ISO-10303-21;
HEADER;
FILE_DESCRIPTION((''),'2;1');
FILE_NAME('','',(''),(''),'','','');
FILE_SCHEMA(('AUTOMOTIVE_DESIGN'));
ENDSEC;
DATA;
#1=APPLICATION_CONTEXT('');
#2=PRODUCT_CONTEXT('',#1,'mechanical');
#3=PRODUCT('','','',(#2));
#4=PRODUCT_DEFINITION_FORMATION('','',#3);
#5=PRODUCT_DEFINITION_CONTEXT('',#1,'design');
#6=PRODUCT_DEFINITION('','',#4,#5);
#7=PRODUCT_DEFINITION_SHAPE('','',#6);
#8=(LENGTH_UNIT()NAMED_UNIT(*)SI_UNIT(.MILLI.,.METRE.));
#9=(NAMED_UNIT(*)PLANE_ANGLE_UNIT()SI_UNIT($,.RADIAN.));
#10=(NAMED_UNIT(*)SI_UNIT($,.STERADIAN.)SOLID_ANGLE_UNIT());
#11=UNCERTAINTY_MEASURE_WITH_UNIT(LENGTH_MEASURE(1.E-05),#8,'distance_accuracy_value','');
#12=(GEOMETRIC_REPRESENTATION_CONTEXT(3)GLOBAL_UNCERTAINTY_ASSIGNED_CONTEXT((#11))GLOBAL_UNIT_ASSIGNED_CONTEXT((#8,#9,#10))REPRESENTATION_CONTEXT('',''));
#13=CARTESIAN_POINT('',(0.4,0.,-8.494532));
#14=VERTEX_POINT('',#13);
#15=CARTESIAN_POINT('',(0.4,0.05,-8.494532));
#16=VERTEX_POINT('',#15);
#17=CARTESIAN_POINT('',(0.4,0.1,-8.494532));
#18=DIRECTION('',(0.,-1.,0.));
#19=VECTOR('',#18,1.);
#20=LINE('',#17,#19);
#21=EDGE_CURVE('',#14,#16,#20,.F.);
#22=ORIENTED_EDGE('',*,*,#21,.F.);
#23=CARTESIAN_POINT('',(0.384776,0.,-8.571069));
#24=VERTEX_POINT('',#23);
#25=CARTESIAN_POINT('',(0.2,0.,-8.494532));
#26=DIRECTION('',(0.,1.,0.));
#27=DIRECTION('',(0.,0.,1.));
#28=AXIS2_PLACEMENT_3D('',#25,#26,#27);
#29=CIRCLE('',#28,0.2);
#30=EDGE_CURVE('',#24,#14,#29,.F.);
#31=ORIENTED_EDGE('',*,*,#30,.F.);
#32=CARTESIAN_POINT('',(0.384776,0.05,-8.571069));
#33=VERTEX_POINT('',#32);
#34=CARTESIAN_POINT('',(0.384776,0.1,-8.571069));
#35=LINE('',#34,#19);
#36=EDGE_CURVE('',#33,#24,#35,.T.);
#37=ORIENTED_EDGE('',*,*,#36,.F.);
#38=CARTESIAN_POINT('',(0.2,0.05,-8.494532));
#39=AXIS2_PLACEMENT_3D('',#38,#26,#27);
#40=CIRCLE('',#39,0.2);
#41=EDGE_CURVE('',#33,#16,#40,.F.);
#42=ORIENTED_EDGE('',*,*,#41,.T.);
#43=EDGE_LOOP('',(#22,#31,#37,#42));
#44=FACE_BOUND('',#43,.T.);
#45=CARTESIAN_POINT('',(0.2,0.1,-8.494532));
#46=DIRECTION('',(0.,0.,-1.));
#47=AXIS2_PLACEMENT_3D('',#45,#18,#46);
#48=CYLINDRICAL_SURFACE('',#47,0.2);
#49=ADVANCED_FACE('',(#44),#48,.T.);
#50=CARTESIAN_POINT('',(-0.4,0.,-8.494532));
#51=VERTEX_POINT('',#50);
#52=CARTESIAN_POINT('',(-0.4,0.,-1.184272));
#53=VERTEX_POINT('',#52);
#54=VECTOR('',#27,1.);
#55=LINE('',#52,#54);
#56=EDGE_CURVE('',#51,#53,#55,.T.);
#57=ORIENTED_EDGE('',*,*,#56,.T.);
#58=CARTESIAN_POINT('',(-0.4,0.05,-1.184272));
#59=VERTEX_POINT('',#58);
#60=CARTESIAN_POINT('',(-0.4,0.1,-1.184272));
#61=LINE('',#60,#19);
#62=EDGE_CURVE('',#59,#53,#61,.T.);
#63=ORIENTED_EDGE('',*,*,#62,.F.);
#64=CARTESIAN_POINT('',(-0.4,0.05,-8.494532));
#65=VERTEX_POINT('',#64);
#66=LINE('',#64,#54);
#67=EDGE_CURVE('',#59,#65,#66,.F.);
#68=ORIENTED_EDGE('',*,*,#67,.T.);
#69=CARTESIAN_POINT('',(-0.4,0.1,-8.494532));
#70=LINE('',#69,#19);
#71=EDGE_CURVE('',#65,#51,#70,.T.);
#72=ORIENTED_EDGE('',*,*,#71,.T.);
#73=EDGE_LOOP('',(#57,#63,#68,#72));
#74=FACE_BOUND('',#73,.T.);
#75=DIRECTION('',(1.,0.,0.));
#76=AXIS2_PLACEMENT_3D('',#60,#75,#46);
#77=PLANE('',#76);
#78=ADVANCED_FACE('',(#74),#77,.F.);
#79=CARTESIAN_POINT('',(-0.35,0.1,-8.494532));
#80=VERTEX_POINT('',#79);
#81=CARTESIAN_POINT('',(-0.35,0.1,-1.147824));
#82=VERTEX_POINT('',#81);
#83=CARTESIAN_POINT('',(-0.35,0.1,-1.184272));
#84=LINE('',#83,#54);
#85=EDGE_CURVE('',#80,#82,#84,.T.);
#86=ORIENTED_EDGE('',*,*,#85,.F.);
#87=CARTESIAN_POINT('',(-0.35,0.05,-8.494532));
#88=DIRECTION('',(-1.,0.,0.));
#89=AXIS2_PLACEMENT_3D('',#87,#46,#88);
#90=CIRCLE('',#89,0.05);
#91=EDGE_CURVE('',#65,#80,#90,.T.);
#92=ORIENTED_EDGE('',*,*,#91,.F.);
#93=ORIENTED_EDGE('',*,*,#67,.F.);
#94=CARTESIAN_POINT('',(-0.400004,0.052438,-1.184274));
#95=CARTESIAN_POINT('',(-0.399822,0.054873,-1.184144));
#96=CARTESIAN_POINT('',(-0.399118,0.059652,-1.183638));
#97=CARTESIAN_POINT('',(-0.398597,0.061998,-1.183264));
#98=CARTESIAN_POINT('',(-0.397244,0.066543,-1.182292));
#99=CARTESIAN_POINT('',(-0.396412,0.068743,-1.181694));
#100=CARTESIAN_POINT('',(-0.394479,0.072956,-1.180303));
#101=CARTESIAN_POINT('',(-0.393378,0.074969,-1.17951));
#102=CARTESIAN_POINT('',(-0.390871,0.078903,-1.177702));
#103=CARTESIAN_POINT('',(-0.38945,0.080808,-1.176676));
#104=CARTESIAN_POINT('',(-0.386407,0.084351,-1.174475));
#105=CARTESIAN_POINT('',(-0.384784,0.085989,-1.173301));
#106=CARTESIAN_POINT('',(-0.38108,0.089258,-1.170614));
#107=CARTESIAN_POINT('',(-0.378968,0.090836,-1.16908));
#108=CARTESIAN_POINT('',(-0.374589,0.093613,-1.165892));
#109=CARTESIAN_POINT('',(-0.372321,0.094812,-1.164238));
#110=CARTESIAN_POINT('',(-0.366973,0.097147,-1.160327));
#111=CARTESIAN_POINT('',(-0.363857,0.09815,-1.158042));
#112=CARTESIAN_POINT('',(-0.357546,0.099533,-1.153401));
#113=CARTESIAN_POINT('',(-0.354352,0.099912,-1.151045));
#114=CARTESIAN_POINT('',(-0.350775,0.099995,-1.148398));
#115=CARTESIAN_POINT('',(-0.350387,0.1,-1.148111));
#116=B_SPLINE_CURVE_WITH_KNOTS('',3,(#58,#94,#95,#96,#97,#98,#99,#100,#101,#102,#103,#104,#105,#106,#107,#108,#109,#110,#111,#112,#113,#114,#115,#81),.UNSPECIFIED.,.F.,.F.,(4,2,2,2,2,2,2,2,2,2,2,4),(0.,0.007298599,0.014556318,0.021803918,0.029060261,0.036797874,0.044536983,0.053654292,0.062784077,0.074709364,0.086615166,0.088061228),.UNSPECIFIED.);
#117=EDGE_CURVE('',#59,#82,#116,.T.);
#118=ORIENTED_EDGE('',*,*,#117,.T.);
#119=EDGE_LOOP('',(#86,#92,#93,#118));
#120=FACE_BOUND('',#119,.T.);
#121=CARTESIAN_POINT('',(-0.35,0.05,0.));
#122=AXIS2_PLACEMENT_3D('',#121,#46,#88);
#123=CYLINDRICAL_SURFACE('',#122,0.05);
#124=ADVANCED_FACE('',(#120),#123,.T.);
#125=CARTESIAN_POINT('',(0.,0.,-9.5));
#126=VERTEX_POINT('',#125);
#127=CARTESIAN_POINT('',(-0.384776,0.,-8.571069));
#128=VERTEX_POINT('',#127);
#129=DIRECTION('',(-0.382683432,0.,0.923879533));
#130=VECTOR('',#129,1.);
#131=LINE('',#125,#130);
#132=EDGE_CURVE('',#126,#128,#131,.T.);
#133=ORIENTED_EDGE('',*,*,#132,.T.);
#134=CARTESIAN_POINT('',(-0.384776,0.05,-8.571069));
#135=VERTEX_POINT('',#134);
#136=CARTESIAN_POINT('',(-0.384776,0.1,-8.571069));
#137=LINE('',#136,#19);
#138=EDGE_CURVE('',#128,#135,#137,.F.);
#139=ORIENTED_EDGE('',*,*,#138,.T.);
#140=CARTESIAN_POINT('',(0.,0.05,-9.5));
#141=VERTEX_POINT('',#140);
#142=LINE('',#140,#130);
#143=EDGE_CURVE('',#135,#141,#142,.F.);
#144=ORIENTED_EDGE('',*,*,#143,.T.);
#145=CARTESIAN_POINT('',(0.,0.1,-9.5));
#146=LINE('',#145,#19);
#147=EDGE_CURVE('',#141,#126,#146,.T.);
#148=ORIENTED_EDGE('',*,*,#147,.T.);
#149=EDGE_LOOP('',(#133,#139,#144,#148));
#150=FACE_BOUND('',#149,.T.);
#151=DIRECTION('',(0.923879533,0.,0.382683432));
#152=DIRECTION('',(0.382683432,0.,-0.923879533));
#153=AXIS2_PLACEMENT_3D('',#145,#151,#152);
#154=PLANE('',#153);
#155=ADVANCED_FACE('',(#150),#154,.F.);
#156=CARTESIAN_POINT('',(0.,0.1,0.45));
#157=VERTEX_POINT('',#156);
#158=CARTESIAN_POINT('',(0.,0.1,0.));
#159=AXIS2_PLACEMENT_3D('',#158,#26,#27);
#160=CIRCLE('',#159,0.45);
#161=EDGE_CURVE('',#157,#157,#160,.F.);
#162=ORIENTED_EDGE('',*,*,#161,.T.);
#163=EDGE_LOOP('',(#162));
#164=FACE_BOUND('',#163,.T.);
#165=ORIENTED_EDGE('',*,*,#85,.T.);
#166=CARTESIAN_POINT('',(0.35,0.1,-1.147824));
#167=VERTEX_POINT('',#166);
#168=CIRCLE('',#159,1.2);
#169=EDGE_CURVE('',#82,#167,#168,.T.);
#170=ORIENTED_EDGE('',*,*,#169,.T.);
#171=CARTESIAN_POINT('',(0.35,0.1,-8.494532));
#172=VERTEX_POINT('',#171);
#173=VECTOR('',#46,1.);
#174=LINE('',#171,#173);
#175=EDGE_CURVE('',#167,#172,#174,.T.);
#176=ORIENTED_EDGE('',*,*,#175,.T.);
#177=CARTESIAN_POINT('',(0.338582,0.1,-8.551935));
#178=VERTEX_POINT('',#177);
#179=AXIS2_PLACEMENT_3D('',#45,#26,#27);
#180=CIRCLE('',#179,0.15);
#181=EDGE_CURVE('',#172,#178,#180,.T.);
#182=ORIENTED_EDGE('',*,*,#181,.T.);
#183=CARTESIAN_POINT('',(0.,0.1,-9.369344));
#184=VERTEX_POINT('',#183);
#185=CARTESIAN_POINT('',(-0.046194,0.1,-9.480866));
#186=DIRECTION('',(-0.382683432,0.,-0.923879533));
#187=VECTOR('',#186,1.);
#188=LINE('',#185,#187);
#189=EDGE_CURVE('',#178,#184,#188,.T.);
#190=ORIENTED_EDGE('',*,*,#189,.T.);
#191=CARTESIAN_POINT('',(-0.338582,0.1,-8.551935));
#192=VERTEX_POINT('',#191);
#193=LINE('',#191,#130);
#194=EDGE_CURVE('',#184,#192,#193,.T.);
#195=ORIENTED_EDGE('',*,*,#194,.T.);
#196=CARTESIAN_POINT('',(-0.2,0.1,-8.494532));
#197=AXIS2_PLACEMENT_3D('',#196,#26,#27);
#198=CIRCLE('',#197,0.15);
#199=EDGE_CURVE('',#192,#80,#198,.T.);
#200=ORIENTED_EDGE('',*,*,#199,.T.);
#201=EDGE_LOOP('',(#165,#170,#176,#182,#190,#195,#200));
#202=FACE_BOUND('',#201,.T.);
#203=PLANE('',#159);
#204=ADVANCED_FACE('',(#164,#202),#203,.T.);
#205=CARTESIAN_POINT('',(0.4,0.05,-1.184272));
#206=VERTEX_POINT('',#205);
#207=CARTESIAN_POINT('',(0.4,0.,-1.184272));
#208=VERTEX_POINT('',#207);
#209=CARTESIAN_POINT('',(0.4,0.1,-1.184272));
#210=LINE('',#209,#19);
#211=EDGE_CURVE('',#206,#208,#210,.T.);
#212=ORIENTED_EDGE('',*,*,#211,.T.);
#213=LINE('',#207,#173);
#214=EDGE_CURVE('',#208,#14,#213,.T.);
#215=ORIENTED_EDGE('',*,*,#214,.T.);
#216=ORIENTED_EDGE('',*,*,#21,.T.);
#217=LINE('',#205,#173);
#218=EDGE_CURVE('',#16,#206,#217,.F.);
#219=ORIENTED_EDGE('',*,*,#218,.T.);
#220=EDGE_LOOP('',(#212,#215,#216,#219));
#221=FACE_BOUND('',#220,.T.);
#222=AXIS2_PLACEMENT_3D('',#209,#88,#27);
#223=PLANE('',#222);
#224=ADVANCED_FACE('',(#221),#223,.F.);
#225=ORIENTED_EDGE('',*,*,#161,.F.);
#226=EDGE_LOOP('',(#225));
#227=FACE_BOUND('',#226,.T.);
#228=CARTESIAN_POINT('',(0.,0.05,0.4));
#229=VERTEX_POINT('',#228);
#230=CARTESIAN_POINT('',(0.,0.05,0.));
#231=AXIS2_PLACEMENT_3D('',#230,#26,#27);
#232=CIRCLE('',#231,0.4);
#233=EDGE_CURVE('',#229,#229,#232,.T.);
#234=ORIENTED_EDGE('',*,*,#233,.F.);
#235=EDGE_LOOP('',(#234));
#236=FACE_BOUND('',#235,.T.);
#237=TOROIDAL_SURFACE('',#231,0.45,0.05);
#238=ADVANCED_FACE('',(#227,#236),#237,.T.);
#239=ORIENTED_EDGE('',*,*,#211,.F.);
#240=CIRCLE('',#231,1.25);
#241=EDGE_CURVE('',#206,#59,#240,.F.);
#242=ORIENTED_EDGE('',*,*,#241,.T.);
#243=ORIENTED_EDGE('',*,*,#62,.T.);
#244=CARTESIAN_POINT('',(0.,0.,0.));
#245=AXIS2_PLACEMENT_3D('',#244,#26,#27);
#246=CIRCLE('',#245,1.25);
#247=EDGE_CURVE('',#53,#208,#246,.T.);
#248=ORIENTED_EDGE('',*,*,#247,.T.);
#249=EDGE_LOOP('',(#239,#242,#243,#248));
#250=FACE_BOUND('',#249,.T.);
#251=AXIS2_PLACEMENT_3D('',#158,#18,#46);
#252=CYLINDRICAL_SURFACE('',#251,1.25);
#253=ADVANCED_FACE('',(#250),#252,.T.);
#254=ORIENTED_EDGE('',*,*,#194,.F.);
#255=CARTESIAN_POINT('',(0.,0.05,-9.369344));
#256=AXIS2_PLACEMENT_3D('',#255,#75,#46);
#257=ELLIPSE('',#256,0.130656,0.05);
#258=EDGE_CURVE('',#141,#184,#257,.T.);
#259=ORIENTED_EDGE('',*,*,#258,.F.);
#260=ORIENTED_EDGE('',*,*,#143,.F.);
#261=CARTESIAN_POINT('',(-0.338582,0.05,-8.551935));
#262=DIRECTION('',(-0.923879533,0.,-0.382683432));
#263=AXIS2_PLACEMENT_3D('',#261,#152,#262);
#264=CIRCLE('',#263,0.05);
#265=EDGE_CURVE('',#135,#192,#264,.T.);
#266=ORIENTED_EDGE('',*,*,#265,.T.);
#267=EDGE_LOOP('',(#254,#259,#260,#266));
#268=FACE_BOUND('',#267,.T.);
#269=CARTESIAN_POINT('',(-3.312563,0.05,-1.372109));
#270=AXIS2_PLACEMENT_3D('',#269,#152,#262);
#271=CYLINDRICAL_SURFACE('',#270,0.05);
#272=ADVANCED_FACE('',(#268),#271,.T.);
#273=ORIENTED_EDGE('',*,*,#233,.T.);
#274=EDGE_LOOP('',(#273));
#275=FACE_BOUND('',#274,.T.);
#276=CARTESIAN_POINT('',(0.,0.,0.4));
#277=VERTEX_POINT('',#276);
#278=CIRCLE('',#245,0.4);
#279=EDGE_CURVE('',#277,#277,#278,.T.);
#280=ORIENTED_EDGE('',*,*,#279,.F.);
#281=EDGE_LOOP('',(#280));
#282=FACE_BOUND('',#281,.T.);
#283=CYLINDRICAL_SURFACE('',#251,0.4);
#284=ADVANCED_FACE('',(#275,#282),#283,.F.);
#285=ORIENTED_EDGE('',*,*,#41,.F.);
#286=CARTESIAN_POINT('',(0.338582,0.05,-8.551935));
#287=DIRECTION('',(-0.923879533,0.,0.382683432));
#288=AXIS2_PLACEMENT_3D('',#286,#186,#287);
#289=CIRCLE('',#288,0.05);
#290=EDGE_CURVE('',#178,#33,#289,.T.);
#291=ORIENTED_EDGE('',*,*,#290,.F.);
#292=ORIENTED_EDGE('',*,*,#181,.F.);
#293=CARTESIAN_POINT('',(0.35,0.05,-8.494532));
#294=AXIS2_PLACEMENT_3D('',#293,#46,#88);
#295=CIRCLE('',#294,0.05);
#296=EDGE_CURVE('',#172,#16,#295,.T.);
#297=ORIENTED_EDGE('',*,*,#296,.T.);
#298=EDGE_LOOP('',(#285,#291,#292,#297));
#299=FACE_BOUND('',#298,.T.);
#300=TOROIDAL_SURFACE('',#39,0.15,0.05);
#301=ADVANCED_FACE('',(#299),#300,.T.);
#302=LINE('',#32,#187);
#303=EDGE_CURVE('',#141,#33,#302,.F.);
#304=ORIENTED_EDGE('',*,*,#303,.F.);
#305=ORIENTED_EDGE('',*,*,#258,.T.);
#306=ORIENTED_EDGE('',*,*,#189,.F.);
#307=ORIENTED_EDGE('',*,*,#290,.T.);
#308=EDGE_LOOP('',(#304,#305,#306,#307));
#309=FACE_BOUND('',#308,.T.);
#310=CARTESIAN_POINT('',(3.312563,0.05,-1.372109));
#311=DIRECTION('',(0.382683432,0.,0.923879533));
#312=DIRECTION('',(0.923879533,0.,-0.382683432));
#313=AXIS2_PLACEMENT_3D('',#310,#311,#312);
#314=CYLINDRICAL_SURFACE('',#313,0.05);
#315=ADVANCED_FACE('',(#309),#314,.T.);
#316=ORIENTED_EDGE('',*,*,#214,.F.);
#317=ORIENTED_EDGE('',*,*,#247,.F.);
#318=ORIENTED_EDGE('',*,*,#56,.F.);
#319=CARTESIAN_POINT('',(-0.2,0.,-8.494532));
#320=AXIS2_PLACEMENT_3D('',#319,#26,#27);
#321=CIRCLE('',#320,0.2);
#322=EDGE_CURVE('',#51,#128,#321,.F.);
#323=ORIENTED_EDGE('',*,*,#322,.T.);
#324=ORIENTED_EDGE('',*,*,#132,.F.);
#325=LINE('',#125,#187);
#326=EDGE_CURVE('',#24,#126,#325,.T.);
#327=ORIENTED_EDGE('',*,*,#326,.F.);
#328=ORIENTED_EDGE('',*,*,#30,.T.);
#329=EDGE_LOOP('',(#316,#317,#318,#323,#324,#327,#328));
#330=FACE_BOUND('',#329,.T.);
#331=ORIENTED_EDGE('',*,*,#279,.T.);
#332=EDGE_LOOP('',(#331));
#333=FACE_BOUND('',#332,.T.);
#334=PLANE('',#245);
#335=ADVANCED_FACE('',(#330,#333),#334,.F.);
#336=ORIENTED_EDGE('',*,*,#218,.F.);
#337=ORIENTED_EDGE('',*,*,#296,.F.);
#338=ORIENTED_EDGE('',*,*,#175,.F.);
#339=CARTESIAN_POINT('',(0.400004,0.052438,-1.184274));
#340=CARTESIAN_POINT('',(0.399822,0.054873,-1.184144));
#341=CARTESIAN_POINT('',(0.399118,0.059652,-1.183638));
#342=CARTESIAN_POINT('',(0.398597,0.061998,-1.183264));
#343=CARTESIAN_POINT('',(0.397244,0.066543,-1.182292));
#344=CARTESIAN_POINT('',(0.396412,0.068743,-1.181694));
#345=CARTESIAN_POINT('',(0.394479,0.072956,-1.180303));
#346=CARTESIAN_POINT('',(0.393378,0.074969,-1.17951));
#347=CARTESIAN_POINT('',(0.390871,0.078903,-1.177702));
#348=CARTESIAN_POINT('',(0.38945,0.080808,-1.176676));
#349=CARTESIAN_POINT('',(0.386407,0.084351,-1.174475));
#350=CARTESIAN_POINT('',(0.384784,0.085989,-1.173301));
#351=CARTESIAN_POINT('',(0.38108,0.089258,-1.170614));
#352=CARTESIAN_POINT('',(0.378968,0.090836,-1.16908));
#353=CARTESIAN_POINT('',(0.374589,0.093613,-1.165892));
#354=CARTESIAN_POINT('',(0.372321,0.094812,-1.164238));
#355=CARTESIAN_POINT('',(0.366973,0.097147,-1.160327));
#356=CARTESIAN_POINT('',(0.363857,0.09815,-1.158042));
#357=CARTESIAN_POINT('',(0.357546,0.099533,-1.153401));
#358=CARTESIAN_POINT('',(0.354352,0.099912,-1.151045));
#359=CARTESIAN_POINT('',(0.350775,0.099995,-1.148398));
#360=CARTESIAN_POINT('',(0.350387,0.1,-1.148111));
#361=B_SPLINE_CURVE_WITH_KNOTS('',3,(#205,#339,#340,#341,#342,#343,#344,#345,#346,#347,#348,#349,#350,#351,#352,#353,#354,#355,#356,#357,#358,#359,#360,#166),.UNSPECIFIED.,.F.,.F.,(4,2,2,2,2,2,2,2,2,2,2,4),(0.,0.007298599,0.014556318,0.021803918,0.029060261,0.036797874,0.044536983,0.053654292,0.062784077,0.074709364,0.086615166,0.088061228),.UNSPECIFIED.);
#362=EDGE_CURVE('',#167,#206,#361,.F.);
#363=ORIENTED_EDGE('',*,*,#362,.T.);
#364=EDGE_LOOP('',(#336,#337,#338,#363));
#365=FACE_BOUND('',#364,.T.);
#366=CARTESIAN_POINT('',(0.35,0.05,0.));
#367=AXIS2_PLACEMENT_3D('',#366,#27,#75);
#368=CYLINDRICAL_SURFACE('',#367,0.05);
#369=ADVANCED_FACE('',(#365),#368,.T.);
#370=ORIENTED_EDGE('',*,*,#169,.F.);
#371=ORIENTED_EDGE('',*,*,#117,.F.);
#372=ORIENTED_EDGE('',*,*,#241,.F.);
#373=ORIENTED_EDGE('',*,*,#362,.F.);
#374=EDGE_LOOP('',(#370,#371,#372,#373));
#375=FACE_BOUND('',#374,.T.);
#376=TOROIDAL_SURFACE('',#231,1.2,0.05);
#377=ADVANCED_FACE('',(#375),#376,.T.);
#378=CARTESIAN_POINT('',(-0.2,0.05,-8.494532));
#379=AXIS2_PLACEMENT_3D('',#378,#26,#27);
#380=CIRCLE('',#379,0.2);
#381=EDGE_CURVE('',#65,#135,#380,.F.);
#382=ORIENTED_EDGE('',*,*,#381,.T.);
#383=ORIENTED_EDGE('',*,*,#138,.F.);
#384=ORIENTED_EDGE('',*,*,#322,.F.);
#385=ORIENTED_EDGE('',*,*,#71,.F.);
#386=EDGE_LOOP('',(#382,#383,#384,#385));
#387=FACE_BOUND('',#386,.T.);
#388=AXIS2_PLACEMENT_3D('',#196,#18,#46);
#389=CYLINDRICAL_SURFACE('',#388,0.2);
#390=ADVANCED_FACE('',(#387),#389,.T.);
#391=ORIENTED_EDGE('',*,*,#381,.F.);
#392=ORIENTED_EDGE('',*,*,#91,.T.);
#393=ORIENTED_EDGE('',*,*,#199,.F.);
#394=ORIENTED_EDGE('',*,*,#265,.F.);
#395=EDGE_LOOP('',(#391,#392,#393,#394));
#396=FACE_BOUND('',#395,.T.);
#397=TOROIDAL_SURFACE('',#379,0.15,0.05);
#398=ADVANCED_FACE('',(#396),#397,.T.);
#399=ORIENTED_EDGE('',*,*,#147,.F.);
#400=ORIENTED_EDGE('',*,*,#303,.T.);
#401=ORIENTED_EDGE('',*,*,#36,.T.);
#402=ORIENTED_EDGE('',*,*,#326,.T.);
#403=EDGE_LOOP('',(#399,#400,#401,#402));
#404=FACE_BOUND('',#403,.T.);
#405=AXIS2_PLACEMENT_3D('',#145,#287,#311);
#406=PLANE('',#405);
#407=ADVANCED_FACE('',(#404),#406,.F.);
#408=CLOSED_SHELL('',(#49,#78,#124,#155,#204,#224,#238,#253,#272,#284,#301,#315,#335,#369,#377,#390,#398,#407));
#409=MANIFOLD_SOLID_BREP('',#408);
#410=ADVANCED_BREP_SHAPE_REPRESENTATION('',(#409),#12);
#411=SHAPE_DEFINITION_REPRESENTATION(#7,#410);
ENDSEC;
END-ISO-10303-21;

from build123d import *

# Parameters (mm, degrees)
SKETCH_1_R      = 0.4
EXTRUDE_2_DEPTH = 0.1
FILLET_2_R      = 0.2
FILLET_3_R      = 0.05


with BuildPart() as part:
    # 草图1 → 凸台-拉伸2 (new body)
    with BuildSketch(Plane(origin=(0, 0, 0), x_dir=(1, 0, 0), z_dir=(0, 1, 0))):
        with BuildLine():
            Line((0.4, 1.184271928), (0.4, 8.534314575))
            Line((0.4, 8.534314575), (0, 9.5))
            Line((0, 9.5), (-0.4, 8.534314575))
            Line((-0.4, 8.534314575), (-0.4, 1.184271928))
            ThreePointArc((-0.4, 1.184271928), (0, -1.25), (0.4, 1.184271928))
        make_face()
        with Locations(Location((0, 0, 0), (0, 0, 270))):
            Circle(SKETCH_1_R, mode=Mode.SUBTRACT)
    extrude(amount=EXTRUDE_2_DEPTH)

    # 圆角2
    fillet_2_edges = [part.edges().sort_by_distance(p)[0] for p in [
        (0.4, 0.05, -8.534314575),
        (-0.4, 0.05, -8.534314575),
    ]]
    fillet(fillet_2_edges, radius=FILLET_2_R)

    # 圆角3
    fillet_3_edges = [part.edges().sort_by_distance(p)[0] for p in [
        (0, 0.1, 1.25),
        (0, 0.1, -0.4),
        (0.4, 0.1, -4.839402015),
        (-0.4, 0.1, -4.839402015),
        (0.192387953, 0.1, -9.035534394),
        (0.396157056, 0.1, -8.533550166),
        (-0.396157056, 0.1, -8.533550166),
        (-0.192387953, 0.1, -9.035534394),
    ]]
    fillet(fillet_3_edges, radius=FILLET_3_R)


solid = part.part
